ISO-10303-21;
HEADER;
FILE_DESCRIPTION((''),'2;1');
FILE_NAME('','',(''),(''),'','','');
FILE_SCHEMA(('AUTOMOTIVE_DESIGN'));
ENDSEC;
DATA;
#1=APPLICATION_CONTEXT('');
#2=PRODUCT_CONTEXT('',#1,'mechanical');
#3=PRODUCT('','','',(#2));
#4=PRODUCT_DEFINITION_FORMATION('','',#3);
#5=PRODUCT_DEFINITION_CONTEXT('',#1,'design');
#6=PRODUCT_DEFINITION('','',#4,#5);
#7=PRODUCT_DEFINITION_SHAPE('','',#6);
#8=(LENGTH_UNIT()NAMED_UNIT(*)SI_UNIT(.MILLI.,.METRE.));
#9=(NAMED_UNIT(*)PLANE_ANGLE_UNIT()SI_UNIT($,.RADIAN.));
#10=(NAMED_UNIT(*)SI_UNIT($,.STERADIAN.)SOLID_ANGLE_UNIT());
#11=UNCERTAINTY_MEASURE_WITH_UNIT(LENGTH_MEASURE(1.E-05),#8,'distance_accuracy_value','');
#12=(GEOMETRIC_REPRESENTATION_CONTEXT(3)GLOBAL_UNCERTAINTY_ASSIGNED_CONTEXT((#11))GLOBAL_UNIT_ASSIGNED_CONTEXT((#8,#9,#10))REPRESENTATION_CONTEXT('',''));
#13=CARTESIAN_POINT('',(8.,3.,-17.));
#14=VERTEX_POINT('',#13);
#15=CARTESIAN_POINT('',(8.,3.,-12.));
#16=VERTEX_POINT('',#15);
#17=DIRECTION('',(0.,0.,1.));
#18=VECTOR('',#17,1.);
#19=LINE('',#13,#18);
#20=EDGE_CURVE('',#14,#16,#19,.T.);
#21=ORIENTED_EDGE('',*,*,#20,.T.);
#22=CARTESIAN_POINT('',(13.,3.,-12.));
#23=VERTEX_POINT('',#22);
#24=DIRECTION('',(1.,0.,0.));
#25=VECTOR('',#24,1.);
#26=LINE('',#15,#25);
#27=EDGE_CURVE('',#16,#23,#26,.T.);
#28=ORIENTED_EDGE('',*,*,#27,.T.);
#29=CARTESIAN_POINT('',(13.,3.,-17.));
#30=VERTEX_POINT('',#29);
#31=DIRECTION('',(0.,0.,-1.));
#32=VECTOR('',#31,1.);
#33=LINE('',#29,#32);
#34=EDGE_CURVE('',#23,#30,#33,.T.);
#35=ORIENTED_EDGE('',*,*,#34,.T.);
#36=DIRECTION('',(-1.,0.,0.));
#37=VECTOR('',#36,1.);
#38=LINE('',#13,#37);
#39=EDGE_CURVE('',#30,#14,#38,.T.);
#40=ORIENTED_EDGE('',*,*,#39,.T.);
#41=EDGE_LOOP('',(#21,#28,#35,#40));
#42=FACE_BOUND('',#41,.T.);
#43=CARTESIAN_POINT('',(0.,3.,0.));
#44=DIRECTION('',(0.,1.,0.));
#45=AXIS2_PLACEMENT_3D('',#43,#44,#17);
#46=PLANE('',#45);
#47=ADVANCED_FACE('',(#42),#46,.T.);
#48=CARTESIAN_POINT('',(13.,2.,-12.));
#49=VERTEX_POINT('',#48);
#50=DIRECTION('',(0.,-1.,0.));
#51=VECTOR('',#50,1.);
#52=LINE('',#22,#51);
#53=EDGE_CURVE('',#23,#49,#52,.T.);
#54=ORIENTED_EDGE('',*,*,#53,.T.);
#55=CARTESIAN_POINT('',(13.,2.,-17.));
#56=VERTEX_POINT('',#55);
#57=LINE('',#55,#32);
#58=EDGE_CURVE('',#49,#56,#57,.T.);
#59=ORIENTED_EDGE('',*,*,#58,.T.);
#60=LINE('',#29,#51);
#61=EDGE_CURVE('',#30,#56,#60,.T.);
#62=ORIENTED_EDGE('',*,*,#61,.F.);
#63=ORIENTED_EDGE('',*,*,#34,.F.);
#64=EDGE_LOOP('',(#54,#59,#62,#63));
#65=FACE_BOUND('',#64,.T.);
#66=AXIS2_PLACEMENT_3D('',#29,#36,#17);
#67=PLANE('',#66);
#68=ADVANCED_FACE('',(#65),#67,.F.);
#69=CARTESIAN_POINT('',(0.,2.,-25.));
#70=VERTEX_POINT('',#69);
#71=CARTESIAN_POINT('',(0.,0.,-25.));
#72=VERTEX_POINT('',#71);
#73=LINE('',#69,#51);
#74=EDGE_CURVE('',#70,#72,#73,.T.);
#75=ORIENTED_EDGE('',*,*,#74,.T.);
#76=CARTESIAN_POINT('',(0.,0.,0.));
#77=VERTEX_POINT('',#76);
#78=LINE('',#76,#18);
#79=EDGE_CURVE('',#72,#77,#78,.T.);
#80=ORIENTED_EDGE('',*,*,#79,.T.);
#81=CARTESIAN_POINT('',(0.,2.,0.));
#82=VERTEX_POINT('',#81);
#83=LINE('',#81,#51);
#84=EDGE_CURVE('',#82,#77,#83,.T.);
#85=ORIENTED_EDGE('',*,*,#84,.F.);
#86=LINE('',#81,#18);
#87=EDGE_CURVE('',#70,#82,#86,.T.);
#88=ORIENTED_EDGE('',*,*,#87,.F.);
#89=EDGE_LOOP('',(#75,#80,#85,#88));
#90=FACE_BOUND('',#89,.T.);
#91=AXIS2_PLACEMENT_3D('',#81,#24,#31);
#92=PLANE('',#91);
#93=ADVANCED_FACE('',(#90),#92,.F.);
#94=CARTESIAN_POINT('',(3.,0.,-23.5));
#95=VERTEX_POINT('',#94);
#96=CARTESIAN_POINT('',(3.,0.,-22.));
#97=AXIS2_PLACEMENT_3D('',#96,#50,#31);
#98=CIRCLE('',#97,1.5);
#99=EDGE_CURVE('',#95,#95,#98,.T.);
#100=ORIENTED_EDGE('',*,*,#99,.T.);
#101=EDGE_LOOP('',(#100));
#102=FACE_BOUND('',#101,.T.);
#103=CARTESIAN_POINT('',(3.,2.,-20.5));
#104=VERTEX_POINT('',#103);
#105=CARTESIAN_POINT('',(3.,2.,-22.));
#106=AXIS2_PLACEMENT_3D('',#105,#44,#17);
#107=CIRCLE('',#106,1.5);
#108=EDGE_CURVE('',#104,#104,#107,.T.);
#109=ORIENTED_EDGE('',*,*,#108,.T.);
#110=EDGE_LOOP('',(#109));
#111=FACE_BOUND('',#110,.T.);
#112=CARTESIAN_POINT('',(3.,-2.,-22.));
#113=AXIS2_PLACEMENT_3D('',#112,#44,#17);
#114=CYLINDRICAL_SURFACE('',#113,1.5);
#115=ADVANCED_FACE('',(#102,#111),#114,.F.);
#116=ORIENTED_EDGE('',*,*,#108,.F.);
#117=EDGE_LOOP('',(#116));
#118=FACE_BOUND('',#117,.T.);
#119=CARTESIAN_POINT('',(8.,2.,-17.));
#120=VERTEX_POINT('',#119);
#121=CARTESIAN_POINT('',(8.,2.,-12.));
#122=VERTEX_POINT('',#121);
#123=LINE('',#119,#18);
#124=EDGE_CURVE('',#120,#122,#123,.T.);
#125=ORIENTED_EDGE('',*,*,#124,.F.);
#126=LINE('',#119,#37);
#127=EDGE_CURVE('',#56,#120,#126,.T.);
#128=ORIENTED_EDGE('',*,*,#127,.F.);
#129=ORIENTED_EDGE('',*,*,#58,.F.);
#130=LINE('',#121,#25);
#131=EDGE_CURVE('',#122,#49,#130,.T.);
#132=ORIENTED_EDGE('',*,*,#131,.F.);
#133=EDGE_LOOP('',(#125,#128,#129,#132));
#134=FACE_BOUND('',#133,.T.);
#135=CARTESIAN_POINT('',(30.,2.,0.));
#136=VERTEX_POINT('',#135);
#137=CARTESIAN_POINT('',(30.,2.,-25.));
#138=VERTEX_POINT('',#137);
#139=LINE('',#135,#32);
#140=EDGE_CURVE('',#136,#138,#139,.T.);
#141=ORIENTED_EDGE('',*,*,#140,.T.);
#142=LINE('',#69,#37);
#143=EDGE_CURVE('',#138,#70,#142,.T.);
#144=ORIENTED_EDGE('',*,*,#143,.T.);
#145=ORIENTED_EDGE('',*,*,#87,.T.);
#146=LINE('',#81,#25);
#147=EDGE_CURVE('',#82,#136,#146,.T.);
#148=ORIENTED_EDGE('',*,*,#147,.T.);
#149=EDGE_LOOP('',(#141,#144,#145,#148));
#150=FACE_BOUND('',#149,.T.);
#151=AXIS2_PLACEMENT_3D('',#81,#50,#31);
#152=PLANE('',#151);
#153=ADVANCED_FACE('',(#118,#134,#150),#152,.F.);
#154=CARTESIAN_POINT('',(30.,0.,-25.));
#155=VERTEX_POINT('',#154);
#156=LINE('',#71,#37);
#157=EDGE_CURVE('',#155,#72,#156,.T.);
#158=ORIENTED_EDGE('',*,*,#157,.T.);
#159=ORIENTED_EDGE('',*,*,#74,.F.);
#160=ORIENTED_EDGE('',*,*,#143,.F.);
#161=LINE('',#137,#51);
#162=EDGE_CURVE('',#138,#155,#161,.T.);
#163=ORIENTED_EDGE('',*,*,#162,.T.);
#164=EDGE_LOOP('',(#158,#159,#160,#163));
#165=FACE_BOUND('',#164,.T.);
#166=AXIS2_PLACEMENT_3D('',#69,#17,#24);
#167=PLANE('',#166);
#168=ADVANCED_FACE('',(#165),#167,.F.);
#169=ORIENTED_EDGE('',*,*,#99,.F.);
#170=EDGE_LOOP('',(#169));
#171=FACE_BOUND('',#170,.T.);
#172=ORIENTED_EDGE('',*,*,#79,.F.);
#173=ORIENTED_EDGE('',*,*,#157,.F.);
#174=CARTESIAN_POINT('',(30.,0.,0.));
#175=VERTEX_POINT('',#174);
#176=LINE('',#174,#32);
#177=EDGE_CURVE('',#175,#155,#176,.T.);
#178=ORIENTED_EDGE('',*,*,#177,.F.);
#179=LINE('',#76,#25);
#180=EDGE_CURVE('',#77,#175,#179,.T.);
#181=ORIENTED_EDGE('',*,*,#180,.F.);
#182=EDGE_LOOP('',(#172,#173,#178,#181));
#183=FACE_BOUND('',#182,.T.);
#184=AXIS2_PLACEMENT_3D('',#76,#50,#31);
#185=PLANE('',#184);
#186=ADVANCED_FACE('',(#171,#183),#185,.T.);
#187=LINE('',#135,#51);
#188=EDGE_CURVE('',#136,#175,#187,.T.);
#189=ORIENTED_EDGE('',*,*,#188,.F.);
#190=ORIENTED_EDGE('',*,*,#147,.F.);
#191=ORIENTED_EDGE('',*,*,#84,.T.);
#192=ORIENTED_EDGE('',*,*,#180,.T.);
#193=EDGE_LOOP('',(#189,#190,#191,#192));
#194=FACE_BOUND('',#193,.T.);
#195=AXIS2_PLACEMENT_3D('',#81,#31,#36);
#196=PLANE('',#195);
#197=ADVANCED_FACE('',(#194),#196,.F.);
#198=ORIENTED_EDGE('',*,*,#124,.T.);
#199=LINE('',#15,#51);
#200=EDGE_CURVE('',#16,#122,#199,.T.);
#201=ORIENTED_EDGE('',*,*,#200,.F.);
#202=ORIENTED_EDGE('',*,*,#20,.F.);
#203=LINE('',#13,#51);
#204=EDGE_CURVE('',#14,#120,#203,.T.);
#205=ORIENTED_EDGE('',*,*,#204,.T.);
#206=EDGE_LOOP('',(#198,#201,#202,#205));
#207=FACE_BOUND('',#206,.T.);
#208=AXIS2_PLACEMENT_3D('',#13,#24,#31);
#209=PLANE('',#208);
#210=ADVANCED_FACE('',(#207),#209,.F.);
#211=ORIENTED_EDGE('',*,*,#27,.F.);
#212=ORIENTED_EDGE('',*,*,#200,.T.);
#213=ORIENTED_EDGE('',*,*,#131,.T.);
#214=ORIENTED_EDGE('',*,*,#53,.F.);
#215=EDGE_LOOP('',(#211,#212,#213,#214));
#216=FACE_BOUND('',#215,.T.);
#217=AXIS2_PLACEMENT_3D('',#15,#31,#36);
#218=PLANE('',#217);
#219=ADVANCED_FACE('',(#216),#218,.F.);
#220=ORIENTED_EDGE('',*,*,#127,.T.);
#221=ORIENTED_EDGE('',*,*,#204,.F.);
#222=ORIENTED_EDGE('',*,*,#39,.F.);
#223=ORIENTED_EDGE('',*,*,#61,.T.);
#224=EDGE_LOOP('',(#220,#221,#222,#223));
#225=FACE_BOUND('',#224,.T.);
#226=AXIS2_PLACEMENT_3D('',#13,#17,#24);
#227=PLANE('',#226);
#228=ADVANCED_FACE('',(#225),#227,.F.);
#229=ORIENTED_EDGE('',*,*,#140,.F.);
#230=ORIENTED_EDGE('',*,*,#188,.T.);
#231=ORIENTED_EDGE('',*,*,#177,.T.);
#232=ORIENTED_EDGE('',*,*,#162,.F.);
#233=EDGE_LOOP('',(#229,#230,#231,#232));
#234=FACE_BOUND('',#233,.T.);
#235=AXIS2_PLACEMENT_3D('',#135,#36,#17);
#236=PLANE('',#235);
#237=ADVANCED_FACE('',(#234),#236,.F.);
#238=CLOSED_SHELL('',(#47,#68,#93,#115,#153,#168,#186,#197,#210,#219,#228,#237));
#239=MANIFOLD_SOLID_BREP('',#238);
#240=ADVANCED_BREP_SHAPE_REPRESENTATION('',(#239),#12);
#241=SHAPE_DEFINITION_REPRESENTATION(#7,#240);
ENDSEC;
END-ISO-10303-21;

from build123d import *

# Parameters (mm, degrees)
SKETCH1_W           = 30
SKETCH1_H           = 25
BOSS_EXTRUDE1_DEPTH = 2
SKETCH2_W           = 5
SKETCH2_H           = 5
BOSS_EXTRUDE2_DEPTH = 1
SKETCH3_R           = 1.5
CUT_EXTRUDE1_DEPTH  = 4


with BuildPart() as part:
    # Sketch1 → Boss-Extrude1 (new body)
    with BuildSketch(Plane(origin=(0, 0, 0), x_dir=(1, 0, 0), z_dir=(0, 1, 0))):
        with Locations((15, 12.5)):
            Rectangle(SKETCH1_W, SKETCH1_H)
    extrude(amount=BOSS_EXTRUDE1_DEPTH)

    # Sketch2 → Boss-Extrude2 (add)
    with BuildSketch(Plane(origin=(0, 2, 0), x_dir=(1, 0, 0), z_dir=(0, 1, 0))):
        with Locations((10.5, 14.5)):
            Rectangle(SKETCH2_W, SKETCH2_H)
    extrude(amount=BOSS_EXTRUDE2_DEPTH)

    # Sketch3 → Cut-Extrude1 (cut)
    with BuildSketch(Plane(origin=(0, 2, 0), x_dir=(1, 0, 0), z_dir=(0, 1, 0))):
        with Locations(Location((3, 22, 0), (0, 0, 270))):
            Circle(SKETCH3_R)
    extrude(amount=-CUT_EXTRUDE1_DEPTH, mode=Mode.SUBTRACT)


solid = part.part
